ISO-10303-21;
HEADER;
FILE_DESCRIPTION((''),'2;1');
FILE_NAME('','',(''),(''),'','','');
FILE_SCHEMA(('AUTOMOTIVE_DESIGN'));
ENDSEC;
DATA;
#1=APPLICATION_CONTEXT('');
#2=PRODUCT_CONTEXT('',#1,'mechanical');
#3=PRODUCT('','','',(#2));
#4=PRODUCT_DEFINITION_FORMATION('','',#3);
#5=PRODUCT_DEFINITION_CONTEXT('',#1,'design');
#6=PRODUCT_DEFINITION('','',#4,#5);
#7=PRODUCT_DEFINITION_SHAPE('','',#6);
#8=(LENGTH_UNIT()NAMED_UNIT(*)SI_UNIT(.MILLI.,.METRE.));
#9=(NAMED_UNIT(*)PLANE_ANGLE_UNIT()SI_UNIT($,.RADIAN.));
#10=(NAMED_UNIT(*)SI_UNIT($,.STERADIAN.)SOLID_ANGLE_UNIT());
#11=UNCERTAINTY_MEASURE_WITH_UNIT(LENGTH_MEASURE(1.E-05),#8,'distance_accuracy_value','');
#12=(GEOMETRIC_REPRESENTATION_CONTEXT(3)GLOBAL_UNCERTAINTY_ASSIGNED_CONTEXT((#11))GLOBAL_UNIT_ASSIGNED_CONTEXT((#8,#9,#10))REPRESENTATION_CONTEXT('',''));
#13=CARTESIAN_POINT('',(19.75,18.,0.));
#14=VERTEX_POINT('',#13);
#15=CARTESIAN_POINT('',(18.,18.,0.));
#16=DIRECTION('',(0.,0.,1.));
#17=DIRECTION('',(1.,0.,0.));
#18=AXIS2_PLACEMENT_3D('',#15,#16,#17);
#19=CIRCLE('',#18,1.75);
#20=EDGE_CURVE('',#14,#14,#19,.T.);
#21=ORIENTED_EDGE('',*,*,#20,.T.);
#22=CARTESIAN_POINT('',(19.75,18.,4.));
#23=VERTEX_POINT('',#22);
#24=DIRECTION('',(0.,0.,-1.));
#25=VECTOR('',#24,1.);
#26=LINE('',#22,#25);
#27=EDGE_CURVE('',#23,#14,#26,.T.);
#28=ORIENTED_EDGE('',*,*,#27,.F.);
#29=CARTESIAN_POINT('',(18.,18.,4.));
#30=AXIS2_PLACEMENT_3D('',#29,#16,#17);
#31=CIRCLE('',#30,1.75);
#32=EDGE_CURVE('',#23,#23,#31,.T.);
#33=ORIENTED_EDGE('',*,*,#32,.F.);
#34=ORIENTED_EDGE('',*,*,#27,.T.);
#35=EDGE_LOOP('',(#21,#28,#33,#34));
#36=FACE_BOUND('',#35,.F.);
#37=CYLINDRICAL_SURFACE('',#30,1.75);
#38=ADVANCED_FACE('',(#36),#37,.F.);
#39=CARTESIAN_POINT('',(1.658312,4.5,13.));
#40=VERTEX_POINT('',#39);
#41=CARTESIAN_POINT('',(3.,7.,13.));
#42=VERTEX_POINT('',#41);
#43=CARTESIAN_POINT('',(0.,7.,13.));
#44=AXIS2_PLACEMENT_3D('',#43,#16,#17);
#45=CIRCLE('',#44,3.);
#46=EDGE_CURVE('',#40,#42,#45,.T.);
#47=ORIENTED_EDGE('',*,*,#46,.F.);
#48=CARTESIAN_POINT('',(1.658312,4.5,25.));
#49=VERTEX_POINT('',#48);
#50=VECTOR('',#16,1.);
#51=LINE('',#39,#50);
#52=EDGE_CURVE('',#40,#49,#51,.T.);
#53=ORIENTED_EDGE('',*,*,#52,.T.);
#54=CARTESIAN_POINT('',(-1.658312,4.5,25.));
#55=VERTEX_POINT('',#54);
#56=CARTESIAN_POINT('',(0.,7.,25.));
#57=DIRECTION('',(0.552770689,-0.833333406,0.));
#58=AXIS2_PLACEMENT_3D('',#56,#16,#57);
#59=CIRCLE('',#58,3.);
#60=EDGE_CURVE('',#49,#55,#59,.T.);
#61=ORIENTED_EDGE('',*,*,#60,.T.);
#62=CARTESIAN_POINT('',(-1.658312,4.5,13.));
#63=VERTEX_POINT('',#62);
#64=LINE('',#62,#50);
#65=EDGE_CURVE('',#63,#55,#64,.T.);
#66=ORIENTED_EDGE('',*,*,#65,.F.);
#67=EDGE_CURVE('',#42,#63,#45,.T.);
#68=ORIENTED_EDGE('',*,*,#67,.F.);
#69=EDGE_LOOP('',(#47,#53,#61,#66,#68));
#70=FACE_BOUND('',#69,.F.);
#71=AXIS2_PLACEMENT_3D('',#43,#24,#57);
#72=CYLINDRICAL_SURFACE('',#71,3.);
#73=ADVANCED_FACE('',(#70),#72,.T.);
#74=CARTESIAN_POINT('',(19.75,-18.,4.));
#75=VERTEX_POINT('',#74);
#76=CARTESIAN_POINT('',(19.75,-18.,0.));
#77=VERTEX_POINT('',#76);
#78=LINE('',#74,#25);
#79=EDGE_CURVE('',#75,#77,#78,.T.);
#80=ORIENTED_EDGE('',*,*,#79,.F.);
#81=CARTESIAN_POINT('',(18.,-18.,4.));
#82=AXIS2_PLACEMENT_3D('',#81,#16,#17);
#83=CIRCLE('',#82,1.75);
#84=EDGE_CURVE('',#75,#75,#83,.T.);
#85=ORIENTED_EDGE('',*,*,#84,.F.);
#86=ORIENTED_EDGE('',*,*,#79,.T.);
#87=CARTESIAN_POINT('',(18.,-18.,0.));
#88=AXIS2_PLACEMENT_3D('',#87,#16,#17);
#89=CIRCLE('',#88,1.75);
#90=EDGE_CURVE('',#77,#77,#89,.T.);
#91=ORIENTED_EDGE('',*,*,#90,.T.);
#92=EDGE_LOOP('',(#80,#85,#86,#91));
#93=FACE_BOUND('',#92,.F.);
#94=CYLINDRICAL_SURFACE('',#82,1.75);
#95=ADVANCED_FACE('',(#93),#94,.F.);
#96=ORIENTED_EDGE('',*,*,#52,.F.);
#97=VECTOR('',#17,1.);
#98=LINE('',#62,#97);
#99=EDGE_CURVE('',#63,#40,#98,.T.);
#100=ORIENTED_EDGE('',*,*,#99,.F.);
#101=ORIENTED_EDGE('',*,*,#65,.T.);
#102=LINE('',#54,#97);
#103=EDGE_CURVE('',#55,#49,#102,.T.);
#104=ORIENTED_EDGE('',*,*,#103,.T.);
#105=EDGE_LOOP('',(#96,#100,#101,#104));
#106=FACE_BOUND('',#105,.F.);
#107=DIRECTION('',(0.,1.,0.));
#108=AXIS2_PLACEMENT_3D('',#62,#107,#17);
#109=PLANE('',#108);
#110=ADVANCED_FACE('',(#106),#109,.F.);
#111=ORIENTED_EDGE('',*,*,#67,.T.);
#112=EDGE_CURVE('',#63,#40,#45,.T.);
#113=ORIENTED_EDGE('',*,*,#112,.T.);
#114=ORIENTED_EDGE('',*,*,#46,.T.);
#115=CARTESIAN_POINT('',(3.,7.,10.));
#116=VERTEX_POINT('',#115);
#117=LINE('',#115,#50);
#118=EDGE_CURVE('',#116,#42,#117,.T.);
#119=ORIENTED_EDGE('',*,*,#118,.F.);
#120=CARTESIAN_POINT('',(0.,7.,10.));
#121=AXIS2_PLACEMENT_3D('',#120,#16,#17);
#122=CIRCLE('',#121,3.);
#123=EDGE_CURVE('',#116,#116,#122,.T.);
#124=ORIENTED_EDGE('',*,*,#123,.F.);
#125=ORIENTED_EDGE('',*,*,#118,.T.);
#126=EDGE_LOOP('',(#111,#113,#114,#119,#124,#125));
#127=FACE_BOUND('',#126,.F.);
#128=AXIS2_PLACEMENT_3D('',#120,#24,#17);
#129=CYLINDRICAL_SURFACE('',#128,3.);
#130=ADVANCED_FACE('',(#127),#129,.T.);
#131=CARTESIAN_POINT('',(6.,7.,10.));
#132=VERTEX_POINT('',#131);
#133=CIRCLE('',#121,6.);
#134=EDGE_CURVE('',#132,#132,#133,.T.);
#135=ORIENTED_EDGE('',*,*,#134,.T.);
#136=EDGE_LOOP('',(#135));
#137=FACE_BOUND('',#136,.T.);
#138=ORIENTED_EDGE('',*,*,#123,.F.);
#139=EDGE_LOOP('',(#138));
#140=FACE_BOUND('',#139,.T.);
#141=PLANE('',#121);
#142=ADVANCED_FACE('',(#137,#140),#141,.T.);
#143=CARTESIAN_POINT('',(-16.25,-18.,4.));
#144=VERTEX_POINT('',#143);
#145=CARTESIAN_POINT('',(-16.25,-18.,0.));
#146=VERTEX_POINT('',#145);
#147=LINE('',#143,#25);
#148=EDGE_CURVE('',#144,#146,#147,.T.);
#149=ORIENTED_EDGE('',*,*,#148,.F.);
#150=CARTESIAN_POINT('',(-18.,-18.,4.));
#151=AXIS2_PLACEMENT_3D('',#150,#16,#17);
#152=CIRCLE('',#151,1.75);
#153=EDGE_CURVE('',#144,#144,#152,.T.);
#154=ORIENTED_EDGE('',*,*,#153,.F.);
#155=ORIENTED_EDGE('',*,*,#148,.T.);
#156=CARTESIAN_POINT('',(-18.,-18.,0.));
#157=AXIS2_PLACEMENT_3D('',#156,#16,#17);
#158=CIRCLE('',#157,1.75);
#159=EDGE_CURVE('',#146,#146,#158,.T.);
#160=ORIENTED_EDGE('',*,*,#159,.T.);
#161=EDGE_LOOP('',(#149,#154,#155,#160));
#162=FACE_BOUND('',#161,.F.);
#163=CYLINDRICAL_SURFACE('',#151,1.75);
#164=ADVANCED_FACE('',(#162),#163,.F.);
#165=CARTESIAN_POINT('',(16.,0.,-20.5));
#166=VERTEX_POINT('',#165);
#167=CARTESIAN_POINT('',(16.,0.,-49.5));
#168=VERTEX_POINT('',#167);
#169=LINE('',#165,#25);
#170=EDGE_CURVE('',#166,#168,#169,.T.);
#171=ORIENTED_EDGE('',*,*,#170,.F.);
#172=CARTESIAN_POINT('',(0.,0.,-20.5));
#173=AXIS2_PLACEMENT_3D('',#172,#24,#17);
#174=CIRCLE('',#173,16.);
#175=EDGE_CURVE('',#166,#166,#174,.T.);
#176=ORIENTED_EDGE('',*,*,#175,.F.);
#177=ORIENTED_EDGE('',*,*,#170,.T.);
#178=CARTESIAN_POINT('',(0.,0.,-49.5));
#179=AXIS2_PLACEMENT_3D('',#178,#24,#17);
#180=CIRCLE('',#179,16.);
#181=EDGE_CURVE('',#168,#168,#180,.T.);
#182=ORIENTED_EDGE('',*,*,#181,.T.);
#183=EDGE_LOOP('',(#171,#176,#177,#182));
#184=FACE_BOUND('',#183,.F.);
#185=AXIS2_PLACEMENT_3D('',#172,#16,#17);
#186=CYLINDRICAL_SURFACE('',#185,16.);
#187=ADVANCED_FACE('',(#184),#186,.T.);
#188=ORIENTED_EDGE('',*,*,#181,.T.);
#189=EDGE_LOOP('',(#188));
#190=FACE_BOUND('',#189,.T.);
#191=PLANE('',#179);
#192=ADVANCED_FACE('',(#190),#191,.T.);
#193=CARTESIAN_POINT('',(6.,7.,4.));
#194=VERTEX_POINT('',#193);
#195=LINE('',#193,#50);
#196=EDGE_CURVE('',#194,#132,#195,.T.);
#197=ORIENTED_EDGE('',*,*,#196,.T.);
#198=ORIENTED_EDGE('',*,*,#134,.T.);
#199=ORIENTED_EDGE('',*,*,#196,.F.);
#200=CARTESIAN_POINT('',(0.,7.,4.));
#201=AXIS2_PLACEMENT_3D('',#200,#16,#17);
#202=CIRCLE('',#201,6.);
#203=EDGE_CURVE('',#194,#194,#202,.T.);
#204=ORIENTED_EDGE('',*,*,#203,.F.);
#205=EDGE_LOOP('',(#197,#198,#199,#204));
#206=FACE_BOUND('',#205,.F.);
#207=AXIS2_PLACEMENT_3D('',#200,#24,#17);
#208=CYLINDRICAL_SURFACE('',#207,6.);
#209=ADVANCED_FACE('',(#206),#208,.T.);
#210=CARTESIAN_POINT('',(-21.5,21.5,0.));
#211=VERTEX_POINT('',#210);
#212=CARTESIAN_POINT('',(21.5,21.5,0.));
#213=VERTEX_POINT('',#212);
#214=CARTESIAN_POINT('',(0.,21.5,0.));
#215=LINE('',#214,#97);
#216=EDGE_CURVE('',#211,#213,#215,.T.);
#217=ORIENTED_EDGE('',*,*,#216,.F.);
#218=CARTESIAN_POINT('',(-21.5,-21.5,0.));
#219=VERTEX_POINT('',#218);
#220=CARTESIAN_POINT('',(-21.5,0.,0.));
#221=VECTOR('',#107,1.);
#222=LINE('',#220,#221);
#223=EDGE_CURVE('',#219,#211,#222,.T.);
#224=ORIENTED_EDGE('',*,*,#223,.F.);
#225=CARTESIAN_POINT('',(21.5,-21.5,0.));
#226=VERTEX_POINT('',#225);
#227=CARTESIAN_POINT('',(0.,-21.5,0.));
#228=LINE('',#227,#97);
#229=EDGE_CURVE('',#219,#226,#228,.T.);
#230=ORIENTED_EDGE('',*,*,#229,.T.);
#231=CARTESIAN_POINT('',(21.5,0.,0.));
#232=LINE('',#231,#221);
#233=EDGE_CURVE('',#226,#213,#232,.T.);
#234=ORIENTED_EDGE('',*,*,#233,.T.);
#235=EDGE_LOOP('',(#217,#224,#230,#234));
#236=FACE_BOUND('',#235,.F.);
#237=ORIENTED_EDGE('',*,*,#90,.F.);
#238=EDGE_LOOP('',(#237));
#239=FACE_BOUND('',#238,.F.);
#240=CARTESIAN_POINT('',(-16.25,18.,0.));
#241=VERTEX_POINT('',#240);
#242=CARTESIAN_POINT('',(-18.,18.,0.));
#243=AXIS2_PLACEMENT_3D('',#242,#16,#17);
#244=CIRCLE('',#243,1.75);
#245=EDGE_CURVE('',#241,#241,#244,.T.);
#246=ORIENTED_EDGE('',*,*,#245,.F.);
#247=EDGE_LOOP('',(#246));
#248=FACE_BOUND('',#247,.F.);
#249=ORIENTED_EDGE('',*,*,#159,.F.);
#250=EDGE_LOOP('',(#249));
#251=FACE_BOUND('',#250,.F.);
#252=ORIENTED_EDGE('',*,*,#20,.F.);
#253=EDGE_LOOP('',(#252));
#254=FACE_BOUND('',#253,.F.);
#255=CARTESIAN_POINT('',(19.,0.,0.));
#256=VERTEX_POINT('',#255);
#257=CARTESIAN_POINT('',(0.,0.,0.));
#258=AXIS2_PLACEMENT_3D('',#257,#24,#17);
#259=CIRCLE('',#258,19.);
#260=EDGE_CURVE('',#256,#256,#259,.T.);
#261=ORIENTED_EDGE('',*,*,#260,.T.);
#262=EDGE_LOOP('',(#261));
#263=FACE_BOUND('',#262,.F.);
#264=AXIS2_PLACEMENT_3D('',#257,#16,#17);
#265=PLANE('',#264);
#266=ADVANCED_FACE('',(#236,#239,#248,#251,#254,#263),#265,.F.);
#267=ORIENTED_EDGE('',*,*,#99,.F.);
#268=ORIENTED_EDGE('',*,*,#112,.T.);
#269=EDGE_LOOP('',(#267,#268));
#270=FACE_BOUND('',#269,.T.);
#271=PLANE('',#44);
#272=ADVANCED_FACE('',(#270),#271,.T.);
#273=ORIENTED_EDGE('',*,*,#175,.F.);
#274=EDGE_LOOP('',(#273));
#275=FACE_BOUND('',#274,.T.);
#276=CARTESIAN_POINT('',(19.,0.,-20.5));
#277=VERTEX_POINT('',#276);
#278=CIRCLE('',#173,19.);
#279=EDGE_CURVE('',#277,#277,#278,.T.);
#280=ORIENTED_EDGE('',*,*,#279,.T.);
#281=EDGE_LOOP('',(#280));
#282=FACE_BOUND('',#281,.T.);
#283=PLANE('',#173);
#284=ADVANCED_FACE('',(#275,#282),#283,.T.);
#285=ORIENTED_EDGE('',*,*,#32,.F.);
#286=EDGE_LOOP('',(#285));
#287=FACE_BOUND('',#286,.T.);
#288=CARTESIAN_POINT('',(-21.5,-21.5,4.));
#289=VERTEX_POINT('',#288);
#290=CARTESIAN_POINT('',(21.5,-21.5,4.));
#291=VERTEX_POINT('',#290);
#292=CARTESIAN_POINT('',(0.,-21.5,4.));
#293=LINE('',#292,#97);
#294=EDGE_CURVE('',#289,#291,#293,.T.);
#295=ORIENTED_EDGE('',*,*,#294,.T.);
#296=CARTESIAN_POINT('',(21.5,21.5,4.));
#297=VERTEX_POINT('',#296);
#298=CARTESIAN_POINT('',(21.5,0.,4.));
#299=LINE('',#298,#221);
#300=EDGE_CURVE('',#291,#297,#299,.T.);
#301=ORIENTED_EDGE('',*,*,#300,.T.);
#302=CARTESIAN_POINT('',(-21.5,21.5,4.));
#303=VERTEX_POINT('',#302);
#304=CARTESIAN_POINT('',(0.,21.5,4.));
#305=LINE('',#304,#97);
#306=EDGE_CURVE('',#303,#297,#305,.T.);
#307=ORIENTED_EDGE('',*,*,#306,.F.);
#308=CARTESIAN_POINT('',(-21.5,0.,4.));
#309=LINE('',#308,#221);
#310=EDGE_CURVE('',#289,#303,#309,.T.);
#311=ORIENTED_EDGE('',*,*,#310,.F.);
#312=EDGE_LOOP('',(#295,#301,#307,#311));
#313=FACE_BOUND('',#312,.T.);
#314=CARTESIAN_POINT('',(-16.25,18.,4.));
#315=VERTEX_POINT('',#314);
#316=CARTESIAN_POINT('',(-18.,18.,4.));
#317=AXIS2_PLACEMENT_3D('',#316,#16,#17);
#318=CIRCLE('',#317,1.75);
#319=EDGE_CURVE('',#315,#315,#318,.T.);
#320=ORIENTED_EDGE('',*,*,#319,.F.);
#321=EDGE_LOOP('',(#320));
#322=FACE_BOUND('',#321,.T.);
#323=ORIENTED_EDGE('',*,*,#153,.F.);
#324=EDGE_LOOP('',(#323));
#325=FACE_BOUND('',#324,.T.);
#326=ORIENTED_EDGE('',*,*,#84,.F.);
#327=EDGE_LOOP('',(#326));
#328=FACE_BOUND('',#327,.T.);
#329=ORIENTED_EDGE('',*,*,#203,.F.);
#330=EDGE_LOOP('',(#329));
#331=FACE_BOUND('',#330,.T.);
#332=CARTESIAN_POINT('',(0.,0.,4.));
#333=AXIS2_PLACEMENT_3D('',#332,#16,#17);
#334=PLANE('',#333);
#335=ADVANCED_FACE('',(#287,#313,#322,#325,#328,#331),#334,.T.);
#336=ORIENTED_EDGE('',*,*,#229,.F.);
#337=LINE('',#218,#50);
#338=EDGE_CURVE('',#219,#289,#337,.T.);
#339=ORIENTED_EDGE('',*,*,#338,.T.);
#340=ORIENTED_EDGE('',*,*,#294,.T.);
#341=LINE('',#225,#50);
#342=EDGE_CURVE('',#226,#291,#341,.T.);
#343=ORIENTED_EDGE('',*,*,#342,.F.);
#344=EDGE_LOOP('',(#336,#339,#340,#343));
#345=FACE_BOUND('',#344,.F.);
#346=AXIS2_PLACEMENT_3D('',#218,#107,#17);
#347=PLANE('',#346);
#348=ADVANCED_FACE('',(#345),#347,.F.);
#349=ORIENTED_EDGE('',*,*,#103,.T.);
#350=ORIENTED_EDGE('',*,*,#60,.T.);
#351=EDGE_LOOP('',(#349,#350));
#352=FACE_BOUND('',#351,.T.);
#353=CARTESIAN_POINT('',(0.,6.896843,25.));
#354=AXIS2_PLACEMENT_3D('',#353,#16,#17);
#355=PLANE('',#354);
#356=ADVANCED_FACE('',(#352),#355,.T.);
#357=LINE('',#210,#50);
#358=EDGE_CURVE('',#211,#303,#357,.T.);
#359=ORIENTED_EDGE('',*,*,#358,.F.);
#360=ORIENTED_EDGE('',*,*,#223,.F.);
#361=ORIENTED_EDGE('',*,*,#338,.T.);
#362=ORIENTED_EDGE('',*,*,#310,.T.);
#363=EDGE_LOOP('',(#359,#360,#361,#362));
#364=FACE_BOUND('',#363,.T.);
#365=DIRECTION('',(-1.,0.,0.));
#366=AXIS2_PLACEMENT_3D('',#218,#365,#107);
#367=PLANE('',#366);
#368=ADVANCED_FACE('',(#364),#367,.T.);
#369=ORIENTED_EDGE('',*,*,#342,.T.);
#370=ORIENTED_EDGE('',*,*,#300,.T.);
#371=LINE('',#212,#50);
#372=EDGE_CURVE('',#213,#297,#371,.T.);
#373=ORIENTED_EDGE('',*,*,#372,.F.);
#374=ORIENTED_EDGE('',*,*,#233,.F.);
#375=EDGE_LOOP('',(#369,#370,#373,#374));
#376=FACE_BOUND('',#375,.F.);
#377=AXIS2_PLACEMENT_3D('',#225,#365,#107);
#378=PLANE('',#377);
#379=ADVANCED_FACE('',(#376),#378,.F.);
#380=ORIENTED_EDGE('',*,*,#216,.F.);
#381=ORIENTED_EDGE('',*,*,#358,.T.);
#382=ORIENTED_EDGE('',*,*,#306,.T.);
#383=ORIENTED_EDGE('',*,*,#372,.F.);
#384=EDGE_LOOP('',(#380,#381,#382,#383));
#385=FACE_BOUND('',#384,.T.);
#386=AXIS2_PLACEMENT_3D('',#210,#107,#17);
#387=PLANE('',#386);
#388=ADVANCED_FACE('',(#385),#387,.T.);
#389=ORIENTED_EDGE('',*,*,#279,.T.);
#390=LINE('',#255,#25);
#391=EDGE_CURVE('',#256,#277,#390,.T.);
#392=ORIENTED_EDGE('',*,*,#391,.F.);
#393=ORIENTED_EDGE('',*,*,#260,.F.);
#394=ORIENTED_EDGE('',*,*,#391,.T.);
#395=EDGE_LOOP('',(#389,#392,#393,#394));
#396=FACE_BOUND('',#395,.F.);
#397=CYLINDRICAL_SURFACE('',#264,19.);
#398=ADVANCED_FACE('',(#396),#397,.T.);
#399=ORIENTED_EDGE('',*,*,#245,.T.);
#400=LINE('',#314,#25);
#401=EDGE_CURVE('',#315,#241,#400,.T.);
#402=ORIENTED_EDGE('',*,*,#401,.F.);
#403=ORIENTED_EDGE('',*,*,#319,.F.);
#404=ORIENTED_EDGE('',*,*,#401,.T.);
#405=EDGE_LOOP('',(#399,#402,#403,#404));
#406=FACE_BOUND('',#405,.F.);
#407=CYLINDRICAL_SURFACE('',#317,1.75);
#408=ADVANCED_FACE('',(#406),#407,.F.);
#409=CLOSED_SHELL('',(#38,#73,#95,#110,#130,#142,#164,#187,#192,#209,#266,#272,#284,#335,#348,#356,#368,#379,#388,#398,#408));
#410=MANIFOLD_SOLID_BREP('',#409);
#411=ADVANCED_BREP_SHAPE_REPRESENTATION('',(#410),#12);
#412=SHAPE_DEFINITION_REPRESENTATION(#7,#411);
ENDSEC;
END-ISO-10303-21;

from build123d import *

# Parameters (mm, degrees)
SKETCH_W     = 43
SKETCH_H     = 43
PAD_DEPTH    = 4
SKETCH001_R  = 1.75
POCKET_DEPTH = 4
SKETCH002_R  = 6
PAD001_DEPTH = 6
SKETCH003_R  = 3
PAD002_DEPTH = 3
PAD003_DEPTH = 12
SKETCH005_R  = 19
PAD004_DEPTH = 20.5
SKETCH006_R  = 16
PAD005_DEPTH = 29


with BuildPart() as part:
    # Sketch → Pad (new body)
    with BuildSketch(Plane.XY):
        Rectangle(SKETCH_W, SKETCH_H)
    extrude(amount=PAD_DEPTH)

    # Sketch001 (on Face6 of Pad) → Pocket (cut)
    with BuildSketch(Plane.XY.offset(4)):
        with Locations((-18, 18)):
            Circle(SKETCH001_R)
        with Locations((18, 18)):
            Circle(SKETCH001_R)
        with Locations((18, -18)):
            Circle(SKETCH001_R)
        with Locations((-18, -18)):
            Circle(SKETCH001_R)
    extrude(amount=-POCKET_DEPTH, mode=Mode.SUBTRACT)

    # Sketch002 (on Face5 of Pocket) → Pad001 (join)
    with BuildSketch(Plane.XY.offset(4)):
        with Locations((0, 7)):
            Circle(SKETCH002_R)
    extrude(amount=PAD001_DEPTH)

    # Sketch003 (on Face12 of Pad001) → Pad002 (join)
    with BuildSketch(Plane.XY.offset(10)):
        with Locations((0, 7)):
            Circle(SKETCH003_R)
    extrude(amount=PAD002_DEPTH)

    # Sketch004 (on Face14 of Pad002) → Pad003 (join)
    with BuildSketch(Plane.XY.offset(13)):
        with BuildLine():
            ThreePointArc((1.658312, 4.5), (0, 10), (-1.658312, 4.5))
            Line((-1.658312, 4.5), (1.658312, 4.5))
        make_face()
    extrude(amount=PAD003_DEPTH)

    # Sketch005 (on Face4 of Pad003) → Pad004 (join)
    with BuildSketch(Plane(origin=(0, 0, 0), x_dir=(1, 0, 0), z_dir=(0, 0, -1))):
        Circle(SKETCH005_R)
    extrude(amount=PAD004_DEPTH)

    # Sketch006 (on Face13 of Pad004) → Pad005 (join)
    with BuildSketch(Plane(origin=(0, 0, -20.5), x_dir=(1, 0, 0), z_dir=(0, 0, -1))):
        Circle(SKETCH006_R)
    extrude(amount=PAD005_DEPTH)


solid = part.part
